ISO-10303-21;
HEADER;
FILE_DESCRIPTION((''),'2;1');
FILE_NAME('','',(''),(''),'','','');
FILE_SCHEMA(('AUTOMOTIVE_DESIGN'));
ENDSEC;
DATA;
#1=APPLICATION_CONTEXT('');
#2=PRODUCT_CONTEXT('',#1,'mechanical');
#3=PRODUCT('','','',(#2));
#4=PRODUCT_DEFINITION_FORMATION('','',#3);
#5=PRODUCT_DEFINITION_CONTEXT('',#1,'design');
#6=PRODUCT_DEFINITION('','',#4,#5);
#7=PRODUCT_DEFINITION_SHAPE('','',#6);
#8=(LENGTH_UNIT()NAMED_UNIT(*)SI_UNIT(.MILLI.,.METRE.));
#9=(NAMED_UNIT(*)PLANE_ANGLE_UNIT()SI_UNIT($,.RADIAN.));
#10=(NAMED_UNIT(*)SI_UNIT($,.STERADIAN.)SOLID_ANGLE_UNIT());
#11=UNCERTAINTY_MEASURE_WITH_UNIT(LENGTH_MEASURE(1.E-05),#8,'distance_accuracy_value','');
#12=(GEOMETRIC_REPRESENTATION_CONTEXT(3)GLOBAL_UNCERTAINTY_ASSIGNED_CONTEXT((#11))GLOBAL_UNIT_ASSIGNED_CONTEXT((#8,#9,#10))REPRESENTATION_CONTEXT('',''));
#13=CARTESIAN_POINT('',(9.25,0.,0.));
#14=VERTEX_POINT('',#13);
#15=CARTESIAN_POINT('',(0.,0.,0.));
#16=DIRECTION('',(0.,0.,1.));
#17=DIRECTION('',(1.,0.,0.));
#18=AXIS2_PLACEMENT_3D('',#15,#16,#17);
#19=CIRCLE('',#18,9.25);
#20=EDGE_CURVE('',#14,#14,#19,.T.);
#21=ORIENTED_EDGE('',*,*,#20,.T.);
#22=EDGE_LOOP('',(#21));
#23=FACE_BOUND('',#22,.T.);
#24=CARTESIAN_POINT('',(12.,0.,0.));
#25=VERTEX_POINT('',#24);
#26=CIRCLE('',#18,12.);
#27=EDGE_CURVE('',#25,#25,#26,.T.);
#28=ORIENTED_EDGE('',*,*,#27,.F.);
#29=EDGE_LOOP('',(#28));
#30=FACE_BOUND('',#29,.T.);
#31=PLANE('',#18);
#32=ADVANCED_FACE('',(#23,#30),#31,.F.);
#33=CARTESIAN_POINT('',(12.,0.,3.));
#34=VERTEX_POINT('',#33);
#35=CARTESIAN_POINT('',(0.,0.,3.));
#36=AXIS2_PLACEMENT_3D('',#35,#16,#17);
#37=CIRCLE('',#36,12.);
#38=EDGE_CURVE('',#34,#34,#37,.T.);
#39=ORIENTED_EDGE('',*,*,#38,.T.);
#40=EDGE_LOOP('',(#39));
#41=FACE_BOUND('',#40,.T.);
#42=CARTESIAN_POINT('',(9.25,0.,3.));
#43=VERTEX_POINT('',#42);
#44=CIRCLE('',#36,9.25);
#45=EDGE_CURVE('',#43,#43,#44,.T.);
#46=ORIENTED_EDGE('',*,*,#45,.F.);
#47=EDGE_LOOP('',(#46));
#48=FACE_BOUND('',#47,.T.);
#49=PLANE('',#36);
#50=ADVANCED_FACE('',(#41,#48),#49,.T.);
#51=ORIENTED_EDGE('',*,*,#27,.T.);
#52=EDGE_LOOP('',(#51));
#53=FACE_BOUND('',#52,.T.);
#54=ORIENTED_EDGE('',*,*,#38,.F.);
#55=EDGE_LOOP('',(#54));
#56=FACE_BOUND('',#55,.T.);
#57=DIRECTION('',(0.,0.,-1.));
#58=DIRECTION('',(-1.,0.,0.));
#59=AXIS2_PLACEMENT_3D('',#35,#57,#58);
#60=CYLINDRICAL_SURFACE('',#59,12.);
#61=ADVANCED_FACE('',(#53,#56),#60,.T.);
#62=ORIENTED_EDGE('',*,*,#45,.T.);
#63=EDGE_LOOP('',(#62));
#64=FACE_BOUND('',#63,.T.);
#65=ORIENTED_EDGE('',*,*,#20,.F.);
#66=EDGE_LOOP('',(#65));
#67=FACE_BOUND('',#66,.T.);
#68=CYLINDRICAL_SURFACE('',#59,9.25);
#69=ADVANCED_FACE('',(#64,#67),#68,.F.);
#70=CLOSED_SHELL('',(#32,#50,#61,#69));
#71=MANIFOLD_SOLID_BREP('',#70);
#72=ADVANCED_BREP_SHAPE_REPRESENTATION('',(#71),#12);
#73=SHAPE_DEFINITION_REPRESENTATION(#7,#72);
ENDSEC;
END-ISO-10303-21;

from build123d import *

# Parameters (mm, degrees)
SKETCH1_R           = 12
SKETCH1_R_2         = 9.25
BOSS_EXTRUDE1_DEPTH = 3


with BuildPart() as part:
    # Sketch1 → Boss-Extrude1 (new body)
    with BuildSketch(Plane.XY):
        Circle(SKETCH1_R)
        Circle(SKETCH1_R_2, mode=Mode.SUBTRACT)
    extrude(amount=BOSS_EXTRUDE1_DEPTH)


solid = part.part
